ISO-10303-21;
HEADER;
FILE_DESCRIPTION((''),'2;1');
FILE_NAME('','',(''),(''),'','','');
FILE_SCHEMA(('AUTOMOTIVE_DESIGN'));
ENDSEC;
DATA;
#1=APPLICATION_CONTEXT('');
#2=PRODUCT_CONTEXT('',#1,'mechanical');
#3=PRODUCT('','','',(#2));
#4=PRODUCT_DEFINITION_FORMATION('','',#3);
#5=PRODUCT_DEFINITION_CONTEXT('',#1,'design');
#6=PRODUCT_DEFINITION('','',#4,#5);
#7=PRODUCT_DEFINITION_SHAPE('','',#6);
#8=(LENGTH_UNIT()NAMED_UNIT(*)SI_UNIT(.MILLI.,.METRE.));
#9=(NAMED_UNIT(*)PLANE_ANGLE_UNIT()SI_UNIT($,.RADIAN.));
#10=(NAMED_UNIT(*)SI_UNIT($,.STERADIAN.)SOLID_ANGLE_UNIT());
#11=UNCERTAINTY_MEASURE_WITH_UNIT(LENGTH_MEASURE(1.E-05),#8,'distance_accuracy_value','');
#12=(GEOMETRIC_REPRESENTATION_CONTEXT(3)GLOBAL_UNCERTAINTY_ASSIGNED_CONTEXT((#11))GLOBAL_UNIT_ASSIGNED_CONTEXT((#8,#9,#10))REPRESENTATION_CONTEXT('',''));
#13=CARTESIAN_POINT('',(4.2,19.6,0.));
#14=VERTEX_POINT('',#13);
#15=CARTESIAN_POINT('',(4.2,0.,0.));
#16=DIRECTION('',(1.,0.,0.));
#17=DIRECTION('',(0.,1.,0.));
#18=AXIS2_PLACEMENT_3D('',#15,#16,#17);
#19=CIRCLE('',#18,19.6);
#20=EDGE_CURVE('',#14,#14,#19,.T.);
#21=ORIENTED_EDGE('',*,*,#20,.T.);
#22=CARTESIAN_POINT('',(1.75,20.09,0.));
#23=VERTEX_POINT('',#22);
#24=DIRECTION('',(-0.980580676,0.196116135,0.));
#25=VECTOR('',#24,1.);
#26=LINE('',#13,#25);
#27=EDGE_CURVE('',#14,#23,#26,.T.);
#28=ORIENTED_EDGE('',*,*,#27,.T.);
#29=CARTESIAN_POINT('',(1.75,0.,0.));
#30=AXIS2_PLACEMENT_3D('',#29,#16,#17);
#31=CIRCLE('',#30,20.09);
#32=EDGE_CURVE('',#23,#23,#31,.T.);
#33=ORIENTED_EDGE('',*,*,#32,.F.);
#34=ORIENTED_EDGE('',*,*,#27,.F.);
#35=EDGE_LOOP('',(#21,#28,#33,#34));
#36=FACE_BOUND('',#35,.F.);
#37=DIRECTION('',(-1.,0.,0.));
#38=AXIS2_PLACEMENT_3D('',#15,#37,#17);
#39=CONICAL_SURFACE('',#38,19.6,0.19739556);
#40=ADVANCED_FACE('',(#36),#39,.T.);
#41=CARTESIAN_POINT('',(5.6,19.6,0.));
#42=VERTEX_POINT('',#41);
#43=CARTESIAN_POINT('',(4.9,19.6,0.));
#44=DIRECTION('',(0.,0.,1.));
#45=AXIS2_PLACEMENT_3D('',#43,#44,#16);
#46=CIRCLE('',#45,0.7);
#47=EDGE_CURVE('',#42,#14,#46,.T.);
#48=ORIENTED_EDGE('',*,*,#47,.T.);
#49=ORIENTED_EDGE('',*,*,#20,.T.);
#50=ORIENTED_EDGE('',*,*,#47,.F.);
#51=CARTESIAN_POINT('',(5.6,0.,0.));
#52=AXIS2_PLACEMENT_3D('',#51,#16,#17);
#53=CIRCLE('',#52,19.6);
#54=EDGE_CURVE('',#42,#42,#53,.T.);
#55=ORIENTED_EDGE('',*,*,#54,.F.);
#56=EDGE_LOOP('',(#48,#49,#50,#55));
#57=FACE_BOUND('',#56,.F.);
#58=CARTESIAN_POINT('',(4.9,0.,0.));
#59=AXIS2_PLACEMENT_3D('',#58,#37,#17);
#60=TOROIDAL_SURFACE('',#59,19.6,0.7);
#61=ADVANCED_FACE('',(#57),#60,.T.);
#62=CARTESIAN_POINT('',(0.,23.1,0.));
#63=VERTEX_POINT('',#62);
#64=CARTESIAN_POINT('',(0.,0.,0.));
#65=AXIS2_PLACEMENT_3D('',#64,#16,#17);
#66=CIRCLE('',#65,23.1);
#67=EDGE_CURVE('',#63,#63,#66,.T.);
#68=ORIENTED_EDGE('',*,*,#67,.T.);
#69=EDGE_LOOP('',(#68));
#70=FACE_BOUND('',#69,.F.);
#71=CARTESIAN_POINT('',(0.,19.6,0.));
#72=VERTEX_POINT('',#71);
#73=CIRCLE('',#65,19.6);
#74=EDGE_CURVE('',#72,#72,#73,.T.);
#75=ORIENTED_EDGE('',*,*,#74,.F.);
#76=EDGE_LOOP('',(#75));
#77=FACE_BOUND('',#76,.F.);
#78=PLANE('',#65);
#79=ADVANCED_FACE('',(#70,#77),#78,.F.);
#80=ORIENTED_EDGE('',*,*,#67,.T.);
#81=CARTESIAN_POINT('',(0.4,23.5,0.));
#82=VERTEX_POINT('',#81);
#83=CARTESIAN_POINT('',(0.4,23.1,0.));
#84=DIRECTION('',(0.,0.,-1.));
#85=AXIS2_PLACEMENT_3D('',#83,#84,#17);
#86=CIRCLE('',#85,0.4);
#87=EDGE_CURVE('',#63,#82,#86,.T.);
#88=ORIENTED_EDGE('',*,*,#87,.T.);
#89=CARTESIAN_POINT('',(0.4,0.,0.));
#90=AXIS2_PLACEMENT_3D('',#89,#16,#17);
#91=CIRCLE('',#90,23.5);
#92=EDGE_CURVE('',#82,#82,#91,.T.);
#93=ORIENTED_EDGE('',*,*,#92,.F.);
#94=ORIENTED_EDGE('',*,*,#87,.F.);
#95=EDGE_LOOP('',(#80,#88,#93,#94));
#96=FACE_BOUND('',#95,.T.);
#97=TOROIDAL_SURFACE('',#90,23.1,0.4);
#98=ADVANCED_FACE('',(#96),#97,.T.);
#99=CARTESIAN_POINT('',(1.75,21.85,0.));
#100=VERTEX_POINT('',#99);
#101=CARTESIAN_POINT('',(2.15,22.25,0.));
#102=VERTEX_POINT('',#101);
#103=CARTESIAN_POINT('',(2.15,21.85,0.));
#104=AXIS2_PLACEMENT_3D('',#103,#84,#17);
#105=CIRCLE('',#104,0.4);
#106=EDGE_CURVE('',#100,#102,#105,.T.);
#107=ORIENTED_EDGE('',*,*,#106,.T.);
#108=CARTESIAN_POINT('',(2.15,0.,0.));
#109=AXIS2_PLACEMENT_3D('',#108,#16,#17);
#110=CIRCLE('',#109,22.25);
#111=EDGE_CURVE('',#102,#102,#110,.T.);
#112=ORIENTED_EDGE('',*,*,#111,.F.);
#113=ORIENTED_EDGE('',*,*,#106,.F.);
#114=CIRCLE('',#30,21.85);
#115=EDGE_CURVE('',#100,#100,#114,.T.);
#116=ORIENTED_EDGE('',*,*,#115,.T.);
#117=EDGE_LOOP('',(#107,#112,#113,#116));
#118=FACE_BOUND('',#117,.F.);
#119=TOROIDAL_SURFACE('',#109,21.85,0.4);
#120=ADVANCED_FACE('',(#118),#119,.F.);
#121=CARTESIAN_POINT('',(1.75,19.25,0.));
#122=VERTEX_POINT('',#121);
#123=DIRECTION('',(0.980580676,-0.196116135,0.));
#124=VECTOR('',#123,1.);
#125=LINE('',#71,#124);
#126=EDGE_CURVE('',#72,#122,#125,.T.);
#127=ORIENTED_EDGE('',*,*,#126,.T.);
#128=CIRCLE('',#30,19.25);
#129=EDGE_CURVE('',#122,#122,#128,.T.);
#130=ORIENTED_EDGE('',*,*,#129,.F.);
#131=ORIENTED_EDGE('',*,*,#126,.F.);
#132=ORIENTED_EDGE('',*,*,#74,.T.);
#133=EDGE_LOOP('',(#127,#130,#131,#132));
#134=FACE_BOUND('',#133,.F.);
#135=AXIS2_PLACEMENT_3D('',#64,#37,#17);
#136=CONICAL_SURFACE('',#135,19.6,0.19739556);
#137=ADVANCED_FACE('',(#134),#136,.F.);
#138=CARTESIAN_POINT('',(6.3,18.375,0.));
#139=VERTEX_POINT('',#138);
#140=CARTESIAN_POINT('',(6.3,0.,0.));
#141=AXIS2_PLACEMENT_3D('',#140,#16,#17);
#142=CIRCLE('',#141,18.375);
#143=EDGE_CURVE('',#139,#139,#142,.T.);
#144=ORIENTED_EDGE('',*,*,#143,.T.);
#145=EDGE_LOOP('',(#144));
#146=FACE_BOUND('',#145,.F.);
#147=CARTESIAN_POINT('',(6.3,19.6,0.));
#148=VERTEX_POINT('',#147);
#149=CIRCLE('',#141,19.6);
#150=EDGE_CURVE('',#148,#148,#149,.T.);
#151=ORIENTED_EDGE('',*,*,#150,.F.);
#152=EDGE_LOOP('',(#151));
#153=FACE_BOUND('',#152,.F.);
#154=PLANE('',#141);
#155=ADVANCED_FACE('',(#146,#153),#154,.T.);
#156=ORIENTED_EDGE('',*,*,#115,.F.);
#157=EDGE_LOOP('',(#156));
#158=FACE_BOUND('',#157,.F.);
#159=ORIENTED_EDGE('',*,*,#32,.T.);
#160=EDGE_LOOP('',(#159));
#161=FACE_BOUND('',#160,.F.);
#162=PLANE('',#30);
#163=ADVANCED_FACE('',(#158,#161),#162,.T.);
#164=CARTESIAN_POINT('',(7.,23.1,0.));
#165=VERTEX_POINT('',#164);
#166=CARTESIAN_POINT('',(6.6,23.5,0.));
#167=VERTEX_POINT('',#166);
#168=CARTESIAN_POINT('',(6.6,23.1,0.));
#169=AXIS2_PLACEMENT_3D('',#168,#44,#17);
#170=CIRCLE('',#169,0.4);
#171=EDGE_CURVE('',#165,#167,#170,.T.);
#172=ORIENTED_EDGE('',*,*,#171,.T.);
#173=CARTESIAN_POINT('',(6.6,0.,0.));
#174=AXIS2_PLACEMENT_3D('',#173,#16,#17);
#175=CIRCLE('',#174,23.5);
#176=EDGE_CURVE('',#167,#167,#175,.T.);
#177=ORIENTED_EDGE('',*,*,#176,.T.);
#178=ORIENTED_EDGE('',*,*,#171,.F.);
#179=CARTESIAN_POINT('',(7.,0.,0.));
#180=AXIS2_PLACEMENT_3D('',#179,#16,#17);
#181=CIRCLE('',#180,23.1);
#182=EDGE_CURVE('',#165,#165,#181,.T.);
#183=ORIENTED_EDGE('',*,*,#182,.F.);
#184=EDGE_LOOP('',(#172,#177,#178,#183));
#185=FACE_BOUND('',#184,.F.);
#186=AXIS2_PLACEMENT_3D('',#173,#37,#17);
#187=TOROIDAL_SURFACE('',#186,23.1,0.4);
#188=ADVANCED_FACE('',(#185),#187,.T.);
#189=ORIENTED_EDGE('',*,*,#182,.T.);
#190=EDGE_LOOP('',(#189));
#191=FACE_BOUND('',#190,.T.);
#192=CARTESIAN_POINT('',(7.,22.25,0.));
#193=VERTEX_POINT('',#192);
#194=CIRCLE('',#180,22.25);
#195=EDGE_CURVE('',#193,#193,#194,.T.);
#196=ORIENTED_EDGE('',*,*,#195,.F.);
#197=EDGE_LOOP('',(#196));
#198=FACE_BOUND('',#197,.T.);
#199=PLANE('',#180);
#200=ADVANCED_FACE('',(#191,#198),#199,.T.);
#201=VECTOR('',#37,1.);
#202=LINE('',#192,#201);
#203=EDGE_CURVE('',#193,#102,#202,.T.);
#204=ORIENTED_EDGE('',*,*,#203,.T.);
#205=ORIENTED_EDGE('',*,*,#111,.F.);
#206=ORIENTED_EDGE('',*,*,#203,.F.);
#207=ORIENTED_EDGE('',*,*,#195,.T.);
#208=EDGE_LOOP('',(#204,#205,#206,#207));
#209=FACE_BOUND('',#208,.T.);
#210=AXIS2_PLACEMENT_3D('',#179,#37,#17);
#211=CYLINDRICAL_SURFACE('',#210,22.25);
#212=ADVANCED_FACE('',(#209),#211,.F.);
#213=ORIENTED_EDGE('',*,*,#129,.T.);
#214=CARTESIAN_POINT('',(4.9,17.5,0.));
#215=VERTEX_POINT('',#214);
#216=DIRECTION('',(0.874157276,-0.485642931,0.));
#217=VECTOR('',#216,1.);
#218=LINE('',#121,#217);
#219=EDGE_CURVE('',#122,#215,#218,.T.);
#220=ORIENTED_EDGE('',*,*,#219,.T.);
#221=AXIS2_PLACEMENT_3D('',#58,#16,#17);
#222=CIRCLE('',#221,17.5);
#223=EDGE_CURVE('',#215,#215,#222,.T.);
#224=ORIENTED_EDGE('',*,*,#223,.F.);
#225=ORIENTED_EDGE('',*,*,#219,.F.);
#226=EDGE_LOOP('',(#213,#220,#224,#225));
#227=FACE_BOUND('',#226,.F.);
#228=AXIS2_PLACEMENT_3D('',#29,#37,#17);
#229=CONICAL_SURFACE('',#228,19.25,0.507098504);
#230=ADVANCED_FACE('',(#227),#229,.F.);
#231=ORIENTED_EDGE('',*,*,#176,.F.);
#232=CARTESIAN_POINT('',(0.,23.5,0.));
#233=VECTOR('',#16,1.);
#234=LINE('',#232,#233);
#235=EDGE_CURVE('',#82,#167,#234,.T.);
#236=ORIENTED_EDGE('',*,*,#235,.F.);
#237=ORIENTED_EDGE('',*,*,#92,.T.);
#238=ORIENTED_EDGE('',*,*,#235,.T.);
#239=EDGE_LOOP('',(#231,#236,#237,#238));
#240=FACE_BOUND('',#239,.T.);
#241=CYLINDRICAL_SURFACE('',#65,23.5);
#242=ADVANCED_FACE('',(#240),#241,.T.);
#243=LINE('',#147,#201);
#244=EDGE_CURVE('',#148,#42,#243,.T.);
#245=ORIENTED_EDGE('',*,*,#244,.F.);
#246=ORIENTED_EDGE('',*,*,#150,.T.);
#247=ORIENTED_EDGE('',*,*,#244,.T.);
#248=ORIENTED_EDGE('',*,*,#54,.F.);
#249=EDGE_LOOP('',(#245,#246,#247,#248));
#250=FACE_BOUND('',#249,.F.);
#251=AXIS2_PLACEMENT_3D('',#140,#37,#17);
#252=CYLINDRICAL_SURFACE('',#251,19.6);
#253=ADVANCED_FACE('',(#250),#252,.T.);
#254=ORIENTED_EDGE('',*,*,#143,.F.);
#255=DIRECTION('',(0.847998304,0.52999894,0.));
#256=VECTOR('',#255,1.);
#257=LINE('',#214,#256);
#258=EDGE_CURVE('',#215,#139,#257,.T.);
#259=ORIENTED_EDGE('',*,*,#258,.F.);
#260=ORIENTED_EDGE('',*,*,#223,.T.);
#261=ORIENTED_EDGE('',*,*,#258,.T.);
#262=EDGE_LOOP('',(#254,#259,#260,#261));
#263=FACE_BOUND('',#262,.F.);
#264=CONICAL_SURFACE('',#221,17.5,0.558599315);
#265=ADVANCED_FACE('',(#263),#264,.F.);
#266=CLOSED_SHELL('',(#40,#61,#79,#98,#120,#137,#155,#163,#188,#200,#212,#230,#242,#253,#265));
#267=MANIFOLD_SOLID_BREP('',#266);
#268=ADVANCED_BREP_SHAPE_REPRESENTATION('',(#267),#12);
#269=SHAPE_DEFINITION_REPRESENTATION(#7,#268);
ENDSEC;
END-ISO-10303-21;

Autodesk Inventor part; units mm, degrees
ref_plane "YZ Plane" through (0, 0, 0) normal (1, 0, 0) x (0, 1, 0)
ref_plane "XZ Plane" through (0, 0, 0) normal (0, 1, 0) x (-1, 0, 0)
ref_plane "XY Plane" through (0, 0, 0) normal (0, 0, 1) x (1, 0, 0)
sketch "Skizze1" plane through (0, 0, 0) normal (0, 0, 1) x (1, 0, 0)
  circle A0 centre (4.9, 19.6) radius 0.455
  circle A1 centre (4.9, 19.6) radius 0.7
  line L0 (6.3, 18.375) -> (6.3, 19.6)
  line L1 (0, 23.5) -> (7, 23.5)
  line L2 (7, 23.5) -> (7, 22.25)
  line L3 (7, 22.25) -> (1.75, 22.25)
  line L4 (0, 0) -> (9.5856, 0)
  line L5 (0, 23.5) -> (0, 19.6)
  line L6 (0, 19.6) -> (1.75, 19.25)
  line L7 (1.75, 19.25) -> (4.9, 17.5)
  line L8 (4.9, 17.5) -> (6.3, 18.375)
  line L9 (4.9, 17.5) -> (0, 17.5) construction
  line L10 (0, 18) -> (0, -3) projected
  line L11 (-1.9171, 0) -> (11.5027, 0) projected
  line L12 (4.2, 19.6) -> (1.75, 20.09)
  line L13 (1.75, 20.09) -> (1.75, 22.25)
  line L14 (6.3, 19.6) -> (5.6, 19.6)
  dimension "d0" = 47
  dimension "d1" = 36.75
  dimension "d2" = 1.25
  dimension "d3" = 0.91
  dimension "d4" = 1.4
  dimension "d5" = 35
  dimension "d6" = 38.5
  dimension "d7" = 39.2
  dimension "d8" = 4.9
  dimension "d9" = 6.3
  dimension "d10" = 7
  dimension "d12" = 1.75
revolve "Körper" add sketch "Skizze1" angle 360 about axis through (0, 0, 0) along (1, 0, 0) contours L14 L0 L8 L7 L6 L5 L1 L2 L3 L13 L12 A1
revolve "Feder1" add sketch "Skizze1" angle 360 about axis through (0, 0, 0) along (1, 0, 0) contours A0 | A1
fillet "Rundung1" radius 0.4 3 edges at (7, -23.5, 0) (1.75, -22.25, 0) (0, -23.5, 0)
equation "\"d0\" = SD2"
equation "\"d1\" = ABDM"
equation "\"d3\" = SPDI"
equation "\"d4\" = SPDA"
equation "\"d5\" = NND"
equation "\"d6\" = TKDM"
equation "\"d7\" = HLDM"
equation "\"d8\" = SPDST"
equation "\"d9\" = SDI"
equation "\"d10\" = SWDT"
equation "\"d12\" = SD"
equation "\"d11\" = RR"
equation "\"SD2\" = 47"
equation "\"SWDT\" = 7"
equation "\"RR\" = 0.4"
equation "\"SD\" = 1.75"
equation "\"NND\" = 35"
equation "\"SPDA\" = 1.4"
equation "\"SPDI\" = 0.91"
equation "\"TKDM\" = 38.5"
equation "\"HLDM\" = 39.2"
equation "\"ABDM\" = 36.75"
equation "\"SDI\" = 6.3"
equation "\"SPDST\" = 4.9"
equation "\"LAB\" = 0.35"
properties part number "DIN 3760 - A - 35 x 47 x 7 - NBR" material "Gummi"
